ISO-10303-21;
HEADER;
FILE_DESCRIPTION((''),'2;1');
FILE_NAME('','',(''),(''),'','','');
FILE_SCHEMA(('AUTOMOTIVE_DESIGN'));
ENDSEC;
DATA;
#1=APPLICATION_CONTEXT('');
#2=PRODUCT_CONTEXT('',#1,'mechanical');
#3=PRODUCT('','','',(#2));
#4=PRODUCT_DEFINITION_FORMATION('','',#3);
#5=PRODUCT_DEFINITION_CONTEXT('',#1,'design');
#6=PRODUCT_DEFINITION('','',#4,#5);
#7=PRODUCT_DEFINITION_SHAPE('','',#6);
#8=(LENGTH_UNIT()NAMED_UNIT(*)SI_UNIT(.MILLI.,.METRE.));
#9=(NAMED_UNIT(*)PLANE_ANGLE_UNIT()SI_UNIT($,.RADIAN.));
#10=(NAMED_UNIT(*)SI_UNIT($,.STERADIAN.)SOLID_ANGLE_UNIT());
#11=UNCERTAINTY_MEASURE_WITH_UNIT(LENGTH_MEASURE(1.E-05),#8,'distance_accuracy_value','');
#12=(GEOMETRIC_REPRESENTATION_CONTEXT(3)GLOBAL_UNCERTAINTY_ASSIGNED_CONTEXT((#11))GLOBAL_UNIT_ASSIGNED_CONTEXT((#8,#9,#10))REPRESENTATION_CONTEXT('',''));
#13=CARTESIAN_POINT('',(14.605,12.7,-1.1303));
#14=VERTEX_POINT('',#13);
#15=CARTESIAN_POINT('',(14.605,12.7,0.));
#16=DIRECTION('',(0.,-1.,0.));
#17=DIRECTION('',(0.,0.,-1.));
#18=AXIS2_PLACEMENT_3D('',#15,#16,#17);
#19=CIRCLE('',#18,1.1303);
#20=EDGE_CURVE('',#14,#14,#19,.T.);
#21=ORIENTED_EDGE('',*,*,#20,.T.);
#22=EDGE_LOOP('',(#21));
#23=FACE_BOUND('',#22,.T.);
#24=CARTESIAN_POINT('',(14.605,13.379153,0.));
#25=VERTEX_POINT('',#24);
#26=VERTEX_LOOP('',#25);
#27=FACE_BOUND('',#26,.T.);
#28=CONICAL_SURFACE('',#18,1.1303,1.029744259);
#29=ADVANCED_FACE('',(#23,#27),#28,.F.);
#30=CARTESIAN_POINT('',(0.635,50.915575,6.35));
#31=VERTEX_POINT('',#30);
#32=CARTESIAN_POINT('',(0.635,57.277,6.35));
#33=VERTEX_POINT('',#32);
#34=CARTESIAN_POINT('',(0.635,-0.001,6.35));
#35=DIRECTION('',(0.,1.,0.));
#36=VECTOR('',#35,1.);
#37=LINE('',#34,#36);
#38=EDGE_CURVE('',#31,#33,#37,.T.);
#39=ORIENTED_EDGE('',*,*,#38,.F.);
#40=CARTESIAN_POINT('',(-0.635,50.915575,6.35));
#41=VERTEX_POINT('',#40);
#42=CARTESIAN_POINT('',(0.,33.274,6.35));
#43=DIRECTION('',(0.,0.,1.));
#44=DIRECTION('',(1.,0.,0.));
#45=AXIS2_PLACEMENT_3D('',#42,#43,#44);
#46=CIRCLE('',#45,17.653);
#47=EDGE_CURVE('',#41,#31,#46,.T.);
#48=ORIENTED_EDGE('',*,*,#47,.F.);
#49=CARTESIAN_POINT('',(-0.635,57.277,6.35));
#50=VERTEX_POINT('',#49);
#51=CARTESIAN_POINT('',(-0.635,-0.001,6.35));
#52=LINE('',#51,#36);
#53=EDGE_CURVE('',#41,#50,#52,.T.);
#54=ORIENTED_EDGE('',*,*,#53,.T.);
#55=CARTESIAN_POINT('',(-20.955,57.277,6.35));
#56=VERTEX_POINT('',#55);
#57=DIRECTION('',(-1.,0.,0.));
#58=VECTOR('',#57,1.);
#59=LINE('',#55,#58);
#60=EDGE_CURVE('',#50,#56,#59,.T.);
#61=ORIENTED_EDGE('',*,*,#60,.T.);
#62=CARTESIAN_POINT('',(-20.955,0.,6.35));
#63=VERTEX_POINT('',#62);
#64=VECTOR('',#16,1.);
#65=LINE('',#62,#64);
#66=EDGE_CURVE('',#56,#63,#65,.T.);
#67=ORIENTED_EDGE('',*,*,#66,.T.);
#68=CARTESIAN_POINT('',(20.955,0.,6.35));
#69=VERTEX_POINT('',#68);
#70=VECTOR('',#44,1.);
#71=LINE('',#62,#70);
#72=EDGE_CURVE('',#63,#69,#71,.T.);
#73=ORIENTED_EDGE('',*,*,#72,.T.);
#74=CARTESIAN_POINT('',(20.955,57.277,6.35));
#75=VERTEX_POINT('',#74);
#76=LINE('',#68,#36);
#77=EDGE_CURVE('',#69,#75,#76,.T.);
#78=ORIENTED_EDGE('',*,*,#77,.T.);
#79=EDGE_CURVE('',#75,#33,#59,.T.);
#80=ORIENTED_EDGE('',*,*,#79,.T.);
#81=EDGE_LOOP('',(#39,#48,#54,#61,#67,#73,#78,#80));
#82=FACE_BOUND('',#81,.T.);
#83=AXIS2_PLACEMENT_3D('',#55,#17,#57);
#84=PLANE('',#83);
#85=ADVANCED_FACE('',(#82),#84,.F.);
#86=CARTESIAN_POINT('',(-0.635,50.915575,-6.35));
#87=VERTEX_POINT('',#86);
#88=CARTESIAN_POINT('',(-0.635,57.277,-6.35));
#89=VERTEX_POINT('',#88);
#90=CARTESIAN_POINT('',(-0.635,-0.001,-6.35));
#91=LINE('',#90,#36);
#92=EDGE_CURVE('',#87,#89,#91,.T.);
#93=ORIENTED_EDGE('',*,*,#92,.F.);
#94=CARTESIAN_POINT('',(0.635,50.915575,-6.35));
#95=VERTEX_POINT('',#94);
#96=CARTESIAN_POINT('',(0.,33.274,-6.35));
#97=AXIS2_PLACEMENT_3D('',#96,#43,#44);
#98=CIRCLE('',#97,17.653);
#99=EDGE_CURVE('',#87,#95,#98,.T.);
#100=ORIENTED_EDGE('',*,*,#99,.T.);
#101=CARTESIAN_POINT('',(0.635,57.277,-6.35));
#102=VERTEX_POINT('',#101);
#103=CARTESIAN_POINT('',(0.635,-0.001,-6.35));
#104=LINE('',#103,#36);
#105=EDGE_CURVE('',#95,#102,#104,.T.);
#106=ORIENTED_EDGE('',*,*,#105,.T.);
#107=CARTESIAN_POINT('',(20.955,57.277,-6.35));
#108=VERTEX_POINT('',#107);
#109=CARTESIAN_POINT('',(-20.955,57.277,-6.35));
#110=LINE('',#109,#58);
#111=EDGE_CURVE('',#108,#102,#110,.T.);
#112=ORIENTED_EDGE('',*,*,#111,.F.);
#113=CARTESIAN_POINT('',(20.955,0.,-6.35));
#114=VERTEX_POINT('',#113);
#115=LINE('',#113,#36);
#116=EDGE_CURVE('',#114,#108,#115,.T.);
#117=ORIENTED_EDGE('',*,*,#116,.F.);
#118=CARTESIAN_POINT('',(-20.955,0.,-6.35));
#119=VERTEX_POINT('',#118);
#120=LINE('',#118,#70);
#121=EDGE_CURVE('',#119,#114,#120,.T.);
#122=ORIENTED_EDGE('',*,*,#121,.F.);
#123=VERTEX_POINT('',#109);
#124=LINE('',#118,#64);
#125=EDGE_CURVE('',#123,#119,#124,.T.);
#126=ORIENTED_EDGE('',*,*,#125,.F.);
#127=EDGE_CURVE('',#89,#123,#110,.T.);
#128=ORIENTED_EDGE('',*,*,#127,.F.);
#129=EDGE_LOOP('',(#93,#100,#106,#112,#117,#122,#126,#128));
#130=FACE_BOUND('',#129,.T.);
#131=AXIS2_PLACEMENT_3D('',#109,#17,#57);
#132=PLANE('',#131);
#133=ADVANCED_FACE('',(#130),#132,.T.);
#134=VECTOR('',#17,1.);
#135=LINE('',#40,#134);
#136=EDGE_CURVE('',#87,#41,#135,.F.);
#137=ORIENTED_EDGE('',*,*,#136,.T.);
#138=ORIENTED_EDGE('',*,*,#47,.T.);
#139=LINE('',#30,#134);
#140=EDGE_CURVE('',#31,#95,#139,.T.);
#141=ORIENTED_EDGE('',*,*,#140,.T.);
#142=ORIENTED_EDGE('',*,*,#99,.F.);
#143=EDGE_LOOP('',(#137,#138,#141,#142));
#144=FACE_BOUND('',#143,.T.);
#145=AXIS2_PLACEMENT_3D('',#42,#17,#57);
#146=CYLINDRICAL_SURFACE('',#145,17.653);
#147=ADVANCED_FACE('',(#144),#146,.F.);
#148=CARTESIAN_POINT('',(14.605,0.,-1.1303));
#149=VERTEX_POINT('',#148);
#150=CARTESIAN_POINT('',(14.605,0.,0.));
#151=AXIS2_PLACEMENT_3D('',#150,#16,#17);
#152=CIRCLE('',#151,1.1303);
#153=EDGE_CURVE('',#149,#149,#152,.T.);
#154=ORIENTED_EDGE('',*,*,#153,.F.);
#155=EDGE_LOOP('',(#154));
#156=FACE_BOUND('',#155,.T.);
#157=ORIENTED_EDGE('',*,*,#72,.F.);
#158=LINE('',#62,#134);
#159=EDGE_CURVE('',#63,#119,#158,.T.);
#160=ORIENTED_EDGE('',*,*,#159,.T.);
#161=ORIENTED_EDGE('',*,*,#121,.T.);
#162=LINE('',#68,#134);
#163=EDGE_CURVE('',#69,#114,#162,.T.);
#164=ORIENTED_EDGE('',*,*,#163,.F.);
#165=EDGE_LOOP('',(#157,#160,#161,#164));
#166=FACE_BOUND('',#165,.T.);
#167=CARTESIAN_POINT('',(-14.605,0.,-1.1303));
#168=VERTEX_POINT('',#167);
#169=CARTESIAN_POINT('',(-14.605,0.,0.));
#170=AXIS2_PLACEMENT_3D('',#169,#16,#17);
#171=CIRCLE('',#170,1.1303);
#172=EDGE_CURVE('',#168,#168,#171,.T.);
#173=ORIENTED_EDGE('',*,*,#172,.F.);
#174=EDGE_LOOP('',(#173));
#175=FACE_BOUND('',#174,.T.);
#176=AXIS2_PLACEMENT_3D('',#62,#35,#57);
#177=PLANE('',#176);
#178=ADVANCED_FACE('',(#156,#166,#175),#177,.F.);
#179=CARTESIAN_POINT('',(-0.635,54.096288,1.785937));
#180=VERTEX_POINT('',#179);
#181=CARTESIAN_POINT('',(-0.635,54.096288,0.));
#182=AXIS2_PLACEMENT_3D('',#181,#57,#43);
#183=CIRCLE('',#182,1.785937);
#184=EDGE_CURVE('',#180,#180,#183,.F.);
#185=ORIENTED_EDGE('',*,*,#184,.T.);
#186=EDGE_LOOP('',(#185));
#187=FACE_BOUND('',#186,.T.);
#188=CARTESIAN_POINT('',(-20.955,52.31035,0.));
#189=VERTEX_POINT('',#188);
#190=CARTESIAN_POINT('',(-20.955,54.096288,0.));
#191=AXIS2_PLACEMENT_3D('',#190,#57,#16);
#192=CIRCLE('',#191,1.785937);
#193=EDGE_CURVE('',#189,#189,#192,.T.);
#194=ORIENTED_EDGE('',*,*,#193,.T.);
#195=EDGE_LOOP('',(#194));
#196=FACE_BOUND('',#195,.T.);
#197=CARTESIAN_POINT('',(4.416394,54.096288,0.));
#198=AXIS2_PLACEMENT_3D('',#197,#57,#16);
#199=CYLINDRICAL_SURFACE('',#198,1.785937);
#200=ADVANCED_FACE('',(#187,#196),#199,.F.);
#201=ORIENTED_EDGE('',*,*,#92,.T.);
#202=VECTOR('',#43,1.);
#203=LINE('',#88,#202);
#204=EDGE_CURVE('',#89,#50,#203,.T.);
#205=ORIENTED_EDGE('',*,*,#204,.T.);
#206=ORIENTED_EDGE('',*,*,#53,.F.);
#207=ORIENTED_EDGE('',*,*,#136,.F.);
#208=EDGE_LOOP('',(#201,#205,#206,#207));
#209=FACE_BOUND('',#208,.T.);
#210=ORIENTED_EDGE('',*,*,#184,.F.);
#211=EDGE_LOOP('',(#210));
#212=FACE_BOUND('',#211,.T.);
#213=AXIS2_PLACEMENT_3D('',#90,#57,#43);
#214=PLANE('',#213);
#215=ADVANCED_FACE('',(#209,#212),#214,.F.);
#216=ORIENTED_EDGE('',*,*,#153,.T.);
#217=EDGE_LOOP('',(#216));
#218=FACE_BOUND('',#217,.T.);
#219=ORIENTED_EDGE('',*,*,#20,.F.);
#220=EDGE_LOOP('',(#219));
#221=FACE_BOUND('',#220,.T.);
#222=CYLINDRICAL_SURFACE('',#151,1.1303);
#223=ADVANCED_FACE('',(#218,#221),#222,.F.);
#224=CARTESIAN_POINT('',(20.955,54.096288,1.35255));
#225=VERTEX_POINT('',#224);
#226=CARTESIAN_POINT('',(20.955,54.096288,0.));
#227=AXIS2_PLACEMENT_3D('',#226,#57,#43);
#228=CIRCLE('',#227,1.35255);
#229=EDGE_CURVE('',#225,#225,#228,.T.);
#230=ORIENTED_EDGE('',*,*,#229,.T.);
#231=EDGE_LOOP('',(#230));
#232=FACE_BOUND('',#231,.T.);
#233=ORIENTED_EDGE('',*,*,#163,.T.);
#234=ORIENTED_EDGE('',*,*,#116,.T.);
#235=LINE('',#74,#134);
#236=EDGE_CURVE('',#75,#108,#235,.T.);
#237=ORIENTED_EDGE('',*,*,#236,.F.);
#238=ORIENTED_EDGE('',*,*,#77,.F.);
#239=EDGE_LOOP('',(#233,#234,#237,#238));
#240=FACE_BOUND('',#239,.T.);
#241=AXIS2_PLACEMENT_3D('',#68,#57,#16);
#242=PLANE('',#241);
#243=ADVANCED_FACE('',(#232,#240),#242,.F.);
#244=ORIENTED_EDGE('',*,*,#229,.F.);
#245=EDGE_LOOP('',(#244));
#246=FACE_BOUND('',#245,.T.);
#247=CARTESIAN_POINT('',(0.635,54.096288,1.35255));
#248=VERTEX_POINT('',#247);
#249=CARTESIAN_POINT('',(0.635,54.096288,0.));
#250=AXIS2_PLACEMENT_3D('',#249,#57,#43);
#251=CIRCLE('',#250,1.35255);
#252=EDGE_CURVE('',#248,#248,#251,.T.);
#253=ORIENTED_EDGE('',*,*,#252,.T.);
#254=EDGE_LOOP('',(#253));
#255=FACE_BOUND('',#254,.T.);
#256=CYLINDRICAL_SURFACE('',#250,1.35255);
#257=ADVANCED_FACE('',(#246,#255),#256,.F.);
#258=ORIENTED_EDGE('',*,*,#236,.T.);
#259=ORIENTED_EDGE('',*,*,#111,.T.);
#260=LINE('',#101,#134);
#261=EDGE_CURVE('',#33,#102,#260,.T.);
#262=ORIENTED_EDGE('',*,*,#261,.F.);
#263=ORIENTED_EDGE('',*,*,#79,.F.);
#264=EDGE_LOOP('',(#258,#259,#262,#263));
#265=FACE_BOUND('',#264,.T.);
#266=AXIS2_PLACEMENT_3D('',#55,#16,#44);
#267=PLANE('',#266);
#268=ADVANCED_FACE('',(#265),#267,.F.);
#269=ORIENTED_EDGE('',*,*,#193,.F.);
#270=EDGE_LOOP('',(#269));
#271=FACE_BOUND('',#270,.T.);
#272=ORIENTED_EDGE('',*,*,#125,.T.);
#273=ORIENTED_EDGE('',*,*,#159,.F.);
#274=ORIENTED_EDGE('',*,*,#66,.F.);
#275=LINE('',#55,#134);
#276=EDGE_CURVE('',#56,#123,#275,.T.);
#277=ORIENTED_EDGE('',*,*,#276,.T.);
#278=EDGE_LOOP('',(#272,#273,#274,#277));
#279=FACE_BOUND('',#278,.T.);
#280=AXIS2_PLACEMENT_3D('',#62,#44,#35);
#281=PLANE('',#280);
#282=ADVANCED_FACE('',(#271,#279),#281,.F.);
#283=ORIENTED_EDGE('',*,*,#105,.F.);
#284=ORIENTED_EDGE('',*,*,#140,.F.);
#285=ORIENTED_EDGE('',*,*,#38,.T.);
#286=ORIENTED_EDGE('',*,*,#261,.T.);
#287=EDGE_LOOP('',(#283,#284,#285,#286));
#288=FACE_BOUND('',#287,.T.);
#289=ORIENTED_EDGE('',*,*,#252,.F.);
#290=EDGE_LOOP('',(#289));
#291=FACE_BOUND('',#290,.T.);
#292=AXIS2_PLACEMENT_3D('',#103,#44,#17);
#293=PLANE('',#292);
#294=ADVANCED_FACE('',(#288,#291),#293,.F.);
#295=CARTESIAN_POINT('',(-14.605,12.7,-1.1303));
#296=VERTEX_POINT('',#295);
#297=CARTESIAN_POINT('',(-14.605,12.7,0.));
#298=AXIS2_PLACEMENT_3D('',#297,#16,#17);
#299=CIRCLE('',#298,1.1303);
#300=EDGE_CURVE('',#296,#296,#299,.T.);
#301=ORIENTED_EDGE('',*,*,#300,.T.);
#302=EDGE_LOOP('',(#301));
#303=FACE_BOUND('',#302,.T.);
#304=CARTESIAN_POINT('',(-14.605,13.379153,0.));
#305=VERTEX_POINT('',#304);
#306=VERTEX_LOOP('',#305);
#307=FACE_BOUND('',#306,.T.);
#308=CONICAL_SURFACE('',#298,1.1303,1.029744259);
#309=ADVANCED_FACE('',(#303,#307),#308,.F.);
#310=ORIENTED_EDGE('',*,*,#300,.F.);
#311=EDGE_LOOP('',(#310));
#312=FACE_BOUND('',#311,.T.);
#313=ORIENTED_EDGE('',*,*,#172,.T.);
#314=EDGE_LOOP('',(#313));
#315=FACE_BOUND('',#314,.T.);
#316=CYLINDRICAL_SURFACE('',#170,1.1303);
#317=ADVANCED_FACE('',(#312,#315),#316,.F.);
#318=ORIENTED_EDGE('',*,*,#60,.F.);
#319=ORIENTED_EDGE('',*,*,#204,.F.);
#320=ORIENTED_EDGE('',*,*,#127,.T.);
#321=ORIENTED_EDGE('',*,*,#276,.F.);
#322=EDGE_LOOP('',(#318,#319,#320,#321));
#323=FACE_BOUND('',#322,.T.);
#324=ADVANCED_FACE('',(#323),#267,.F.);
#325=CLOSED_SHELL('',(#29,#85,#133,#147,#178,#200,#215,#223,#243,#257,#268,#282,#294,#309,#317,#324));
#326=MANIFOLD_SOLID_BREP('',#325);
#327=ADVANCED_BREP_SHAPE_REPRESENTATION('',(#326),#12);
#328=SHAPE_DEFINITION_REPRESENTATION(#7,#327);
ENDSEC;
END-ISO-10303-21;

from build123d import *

# Parameters (mm, degrees)
SKETCH1_W                 = 41.91
SKETCH1_H                 = 57.277
SKETCH1_R                 = 17.653
BOSS_EXTRUDE1_DEPTH       = 6.35
CUT_EXTRUDE1_REACH        = 63.32
CUT_EXTRUDE1_END_RADIUS   = 17.653
SKETCH4_W                 = 1.27
SKETCH4_H                 = 12.7
SKETCH9_R                 = 1.7859375
CUT_EXTRUDE2_DEPTH        = 20.32
F_6_32_TAPPED_HOLE1_D     = 2.7051
F_4_40_TAPPED_HOLE3_D     = 2.2606
F_4_40_TAPPED_HOLE3_DEPTH = 12.7
F_4_40_TAPPED_HOLE3_TIP   = 0.679152758


with BuildPart() as part:
    # Sketch1 → Boss-Extrude1 (new, symmetric)
    with BuildSketch(Plane.XY):
        with Locations((0, 28.6385)):
            Rectangle(SKETCH1_W, SKETCH1_H)
        with Locations((0, 33.274)):
            Circle(SKETCH1_R, mode=Mode.SUBTRACT)
    extrude(amount=BOSS_EXTRUDE1_DEPTH, both=True)

    # Cut-Extrude1: up to this cylinder (the profile starts outside it)
    cut_extrude1_end = Plane(origin=(0, 33.274, 0), z_dir=(0, 0, -1)) * Cylinder(CUT_EXTRUDE1_END_RADIUS, 162.946, mode=Mode.PRIVATE)
    # Sketch4 → Cut-Extrude1 (cut, up to the surface)
    with BuildSketch(Plane(origin=(0, 57.277, 0), x_dir=(1, 0, 0), z_dir=(0, 1, 0)), mode=Mode.PRIVATE) as cut_extrude1_sk1:
        Rectangle(SKETCH4_W, SKETCH4_H)
    cut_extrude1_tool1 = extrude(cut_extrude1_sk1.sketch, amount=-CUT_EXTRUDE1_REACH, mode=Mode.PRIVATE) - cut_extrude1_end
    add(cut_extrude1_tool1.solids().sort_by_distance((0, 57.277, 0))[0], mode=Mode.SUBTRACT)

    # Sketch9 → Cut-Extrude2 (cut)
    with BuildSketch(Plane.ZY.offset(20.955)):
        with Locations(Location((0, 54.09628772, 0), (0, 0, 270))):
            Circle(SKETCH9_R)
    extrude(amount=-CUT_EXTRUDE2_DEPTH, mode=Mode.SUBTRACT)

    # #6-32 Tapped Hole1 (through all)
    with Locations(Plane.ZY.offset(-0.635)):
        with Locations((0, 54.09628772)):
            Hole(F_6_32_TAPPED_HOLE1_D / 2)

    # #4-40 Tapped Hole3
    with Locations(Plane.XZ):
        with Locations((-14.605, 0), (14.605, 0)):
            Hole(F_4_40_TAPPED_HOLE3_D / 2, depth=F_4_40_TAPPED_HOLE3_DEPTH)
            with Locations((0, 0, -(F_4_40_TAPPED_HOLE3_DEPTH + F_4_40_TAPPED_HOLE3_TIP / 2))):  # 118° drill point
                Cone(0, F_4_40_TAPPED_HOLE3_D / 2, F_4_40_TAPPED_HOLE3_TIP, mode=Mode.SUBTRACT)


solid = part.part
